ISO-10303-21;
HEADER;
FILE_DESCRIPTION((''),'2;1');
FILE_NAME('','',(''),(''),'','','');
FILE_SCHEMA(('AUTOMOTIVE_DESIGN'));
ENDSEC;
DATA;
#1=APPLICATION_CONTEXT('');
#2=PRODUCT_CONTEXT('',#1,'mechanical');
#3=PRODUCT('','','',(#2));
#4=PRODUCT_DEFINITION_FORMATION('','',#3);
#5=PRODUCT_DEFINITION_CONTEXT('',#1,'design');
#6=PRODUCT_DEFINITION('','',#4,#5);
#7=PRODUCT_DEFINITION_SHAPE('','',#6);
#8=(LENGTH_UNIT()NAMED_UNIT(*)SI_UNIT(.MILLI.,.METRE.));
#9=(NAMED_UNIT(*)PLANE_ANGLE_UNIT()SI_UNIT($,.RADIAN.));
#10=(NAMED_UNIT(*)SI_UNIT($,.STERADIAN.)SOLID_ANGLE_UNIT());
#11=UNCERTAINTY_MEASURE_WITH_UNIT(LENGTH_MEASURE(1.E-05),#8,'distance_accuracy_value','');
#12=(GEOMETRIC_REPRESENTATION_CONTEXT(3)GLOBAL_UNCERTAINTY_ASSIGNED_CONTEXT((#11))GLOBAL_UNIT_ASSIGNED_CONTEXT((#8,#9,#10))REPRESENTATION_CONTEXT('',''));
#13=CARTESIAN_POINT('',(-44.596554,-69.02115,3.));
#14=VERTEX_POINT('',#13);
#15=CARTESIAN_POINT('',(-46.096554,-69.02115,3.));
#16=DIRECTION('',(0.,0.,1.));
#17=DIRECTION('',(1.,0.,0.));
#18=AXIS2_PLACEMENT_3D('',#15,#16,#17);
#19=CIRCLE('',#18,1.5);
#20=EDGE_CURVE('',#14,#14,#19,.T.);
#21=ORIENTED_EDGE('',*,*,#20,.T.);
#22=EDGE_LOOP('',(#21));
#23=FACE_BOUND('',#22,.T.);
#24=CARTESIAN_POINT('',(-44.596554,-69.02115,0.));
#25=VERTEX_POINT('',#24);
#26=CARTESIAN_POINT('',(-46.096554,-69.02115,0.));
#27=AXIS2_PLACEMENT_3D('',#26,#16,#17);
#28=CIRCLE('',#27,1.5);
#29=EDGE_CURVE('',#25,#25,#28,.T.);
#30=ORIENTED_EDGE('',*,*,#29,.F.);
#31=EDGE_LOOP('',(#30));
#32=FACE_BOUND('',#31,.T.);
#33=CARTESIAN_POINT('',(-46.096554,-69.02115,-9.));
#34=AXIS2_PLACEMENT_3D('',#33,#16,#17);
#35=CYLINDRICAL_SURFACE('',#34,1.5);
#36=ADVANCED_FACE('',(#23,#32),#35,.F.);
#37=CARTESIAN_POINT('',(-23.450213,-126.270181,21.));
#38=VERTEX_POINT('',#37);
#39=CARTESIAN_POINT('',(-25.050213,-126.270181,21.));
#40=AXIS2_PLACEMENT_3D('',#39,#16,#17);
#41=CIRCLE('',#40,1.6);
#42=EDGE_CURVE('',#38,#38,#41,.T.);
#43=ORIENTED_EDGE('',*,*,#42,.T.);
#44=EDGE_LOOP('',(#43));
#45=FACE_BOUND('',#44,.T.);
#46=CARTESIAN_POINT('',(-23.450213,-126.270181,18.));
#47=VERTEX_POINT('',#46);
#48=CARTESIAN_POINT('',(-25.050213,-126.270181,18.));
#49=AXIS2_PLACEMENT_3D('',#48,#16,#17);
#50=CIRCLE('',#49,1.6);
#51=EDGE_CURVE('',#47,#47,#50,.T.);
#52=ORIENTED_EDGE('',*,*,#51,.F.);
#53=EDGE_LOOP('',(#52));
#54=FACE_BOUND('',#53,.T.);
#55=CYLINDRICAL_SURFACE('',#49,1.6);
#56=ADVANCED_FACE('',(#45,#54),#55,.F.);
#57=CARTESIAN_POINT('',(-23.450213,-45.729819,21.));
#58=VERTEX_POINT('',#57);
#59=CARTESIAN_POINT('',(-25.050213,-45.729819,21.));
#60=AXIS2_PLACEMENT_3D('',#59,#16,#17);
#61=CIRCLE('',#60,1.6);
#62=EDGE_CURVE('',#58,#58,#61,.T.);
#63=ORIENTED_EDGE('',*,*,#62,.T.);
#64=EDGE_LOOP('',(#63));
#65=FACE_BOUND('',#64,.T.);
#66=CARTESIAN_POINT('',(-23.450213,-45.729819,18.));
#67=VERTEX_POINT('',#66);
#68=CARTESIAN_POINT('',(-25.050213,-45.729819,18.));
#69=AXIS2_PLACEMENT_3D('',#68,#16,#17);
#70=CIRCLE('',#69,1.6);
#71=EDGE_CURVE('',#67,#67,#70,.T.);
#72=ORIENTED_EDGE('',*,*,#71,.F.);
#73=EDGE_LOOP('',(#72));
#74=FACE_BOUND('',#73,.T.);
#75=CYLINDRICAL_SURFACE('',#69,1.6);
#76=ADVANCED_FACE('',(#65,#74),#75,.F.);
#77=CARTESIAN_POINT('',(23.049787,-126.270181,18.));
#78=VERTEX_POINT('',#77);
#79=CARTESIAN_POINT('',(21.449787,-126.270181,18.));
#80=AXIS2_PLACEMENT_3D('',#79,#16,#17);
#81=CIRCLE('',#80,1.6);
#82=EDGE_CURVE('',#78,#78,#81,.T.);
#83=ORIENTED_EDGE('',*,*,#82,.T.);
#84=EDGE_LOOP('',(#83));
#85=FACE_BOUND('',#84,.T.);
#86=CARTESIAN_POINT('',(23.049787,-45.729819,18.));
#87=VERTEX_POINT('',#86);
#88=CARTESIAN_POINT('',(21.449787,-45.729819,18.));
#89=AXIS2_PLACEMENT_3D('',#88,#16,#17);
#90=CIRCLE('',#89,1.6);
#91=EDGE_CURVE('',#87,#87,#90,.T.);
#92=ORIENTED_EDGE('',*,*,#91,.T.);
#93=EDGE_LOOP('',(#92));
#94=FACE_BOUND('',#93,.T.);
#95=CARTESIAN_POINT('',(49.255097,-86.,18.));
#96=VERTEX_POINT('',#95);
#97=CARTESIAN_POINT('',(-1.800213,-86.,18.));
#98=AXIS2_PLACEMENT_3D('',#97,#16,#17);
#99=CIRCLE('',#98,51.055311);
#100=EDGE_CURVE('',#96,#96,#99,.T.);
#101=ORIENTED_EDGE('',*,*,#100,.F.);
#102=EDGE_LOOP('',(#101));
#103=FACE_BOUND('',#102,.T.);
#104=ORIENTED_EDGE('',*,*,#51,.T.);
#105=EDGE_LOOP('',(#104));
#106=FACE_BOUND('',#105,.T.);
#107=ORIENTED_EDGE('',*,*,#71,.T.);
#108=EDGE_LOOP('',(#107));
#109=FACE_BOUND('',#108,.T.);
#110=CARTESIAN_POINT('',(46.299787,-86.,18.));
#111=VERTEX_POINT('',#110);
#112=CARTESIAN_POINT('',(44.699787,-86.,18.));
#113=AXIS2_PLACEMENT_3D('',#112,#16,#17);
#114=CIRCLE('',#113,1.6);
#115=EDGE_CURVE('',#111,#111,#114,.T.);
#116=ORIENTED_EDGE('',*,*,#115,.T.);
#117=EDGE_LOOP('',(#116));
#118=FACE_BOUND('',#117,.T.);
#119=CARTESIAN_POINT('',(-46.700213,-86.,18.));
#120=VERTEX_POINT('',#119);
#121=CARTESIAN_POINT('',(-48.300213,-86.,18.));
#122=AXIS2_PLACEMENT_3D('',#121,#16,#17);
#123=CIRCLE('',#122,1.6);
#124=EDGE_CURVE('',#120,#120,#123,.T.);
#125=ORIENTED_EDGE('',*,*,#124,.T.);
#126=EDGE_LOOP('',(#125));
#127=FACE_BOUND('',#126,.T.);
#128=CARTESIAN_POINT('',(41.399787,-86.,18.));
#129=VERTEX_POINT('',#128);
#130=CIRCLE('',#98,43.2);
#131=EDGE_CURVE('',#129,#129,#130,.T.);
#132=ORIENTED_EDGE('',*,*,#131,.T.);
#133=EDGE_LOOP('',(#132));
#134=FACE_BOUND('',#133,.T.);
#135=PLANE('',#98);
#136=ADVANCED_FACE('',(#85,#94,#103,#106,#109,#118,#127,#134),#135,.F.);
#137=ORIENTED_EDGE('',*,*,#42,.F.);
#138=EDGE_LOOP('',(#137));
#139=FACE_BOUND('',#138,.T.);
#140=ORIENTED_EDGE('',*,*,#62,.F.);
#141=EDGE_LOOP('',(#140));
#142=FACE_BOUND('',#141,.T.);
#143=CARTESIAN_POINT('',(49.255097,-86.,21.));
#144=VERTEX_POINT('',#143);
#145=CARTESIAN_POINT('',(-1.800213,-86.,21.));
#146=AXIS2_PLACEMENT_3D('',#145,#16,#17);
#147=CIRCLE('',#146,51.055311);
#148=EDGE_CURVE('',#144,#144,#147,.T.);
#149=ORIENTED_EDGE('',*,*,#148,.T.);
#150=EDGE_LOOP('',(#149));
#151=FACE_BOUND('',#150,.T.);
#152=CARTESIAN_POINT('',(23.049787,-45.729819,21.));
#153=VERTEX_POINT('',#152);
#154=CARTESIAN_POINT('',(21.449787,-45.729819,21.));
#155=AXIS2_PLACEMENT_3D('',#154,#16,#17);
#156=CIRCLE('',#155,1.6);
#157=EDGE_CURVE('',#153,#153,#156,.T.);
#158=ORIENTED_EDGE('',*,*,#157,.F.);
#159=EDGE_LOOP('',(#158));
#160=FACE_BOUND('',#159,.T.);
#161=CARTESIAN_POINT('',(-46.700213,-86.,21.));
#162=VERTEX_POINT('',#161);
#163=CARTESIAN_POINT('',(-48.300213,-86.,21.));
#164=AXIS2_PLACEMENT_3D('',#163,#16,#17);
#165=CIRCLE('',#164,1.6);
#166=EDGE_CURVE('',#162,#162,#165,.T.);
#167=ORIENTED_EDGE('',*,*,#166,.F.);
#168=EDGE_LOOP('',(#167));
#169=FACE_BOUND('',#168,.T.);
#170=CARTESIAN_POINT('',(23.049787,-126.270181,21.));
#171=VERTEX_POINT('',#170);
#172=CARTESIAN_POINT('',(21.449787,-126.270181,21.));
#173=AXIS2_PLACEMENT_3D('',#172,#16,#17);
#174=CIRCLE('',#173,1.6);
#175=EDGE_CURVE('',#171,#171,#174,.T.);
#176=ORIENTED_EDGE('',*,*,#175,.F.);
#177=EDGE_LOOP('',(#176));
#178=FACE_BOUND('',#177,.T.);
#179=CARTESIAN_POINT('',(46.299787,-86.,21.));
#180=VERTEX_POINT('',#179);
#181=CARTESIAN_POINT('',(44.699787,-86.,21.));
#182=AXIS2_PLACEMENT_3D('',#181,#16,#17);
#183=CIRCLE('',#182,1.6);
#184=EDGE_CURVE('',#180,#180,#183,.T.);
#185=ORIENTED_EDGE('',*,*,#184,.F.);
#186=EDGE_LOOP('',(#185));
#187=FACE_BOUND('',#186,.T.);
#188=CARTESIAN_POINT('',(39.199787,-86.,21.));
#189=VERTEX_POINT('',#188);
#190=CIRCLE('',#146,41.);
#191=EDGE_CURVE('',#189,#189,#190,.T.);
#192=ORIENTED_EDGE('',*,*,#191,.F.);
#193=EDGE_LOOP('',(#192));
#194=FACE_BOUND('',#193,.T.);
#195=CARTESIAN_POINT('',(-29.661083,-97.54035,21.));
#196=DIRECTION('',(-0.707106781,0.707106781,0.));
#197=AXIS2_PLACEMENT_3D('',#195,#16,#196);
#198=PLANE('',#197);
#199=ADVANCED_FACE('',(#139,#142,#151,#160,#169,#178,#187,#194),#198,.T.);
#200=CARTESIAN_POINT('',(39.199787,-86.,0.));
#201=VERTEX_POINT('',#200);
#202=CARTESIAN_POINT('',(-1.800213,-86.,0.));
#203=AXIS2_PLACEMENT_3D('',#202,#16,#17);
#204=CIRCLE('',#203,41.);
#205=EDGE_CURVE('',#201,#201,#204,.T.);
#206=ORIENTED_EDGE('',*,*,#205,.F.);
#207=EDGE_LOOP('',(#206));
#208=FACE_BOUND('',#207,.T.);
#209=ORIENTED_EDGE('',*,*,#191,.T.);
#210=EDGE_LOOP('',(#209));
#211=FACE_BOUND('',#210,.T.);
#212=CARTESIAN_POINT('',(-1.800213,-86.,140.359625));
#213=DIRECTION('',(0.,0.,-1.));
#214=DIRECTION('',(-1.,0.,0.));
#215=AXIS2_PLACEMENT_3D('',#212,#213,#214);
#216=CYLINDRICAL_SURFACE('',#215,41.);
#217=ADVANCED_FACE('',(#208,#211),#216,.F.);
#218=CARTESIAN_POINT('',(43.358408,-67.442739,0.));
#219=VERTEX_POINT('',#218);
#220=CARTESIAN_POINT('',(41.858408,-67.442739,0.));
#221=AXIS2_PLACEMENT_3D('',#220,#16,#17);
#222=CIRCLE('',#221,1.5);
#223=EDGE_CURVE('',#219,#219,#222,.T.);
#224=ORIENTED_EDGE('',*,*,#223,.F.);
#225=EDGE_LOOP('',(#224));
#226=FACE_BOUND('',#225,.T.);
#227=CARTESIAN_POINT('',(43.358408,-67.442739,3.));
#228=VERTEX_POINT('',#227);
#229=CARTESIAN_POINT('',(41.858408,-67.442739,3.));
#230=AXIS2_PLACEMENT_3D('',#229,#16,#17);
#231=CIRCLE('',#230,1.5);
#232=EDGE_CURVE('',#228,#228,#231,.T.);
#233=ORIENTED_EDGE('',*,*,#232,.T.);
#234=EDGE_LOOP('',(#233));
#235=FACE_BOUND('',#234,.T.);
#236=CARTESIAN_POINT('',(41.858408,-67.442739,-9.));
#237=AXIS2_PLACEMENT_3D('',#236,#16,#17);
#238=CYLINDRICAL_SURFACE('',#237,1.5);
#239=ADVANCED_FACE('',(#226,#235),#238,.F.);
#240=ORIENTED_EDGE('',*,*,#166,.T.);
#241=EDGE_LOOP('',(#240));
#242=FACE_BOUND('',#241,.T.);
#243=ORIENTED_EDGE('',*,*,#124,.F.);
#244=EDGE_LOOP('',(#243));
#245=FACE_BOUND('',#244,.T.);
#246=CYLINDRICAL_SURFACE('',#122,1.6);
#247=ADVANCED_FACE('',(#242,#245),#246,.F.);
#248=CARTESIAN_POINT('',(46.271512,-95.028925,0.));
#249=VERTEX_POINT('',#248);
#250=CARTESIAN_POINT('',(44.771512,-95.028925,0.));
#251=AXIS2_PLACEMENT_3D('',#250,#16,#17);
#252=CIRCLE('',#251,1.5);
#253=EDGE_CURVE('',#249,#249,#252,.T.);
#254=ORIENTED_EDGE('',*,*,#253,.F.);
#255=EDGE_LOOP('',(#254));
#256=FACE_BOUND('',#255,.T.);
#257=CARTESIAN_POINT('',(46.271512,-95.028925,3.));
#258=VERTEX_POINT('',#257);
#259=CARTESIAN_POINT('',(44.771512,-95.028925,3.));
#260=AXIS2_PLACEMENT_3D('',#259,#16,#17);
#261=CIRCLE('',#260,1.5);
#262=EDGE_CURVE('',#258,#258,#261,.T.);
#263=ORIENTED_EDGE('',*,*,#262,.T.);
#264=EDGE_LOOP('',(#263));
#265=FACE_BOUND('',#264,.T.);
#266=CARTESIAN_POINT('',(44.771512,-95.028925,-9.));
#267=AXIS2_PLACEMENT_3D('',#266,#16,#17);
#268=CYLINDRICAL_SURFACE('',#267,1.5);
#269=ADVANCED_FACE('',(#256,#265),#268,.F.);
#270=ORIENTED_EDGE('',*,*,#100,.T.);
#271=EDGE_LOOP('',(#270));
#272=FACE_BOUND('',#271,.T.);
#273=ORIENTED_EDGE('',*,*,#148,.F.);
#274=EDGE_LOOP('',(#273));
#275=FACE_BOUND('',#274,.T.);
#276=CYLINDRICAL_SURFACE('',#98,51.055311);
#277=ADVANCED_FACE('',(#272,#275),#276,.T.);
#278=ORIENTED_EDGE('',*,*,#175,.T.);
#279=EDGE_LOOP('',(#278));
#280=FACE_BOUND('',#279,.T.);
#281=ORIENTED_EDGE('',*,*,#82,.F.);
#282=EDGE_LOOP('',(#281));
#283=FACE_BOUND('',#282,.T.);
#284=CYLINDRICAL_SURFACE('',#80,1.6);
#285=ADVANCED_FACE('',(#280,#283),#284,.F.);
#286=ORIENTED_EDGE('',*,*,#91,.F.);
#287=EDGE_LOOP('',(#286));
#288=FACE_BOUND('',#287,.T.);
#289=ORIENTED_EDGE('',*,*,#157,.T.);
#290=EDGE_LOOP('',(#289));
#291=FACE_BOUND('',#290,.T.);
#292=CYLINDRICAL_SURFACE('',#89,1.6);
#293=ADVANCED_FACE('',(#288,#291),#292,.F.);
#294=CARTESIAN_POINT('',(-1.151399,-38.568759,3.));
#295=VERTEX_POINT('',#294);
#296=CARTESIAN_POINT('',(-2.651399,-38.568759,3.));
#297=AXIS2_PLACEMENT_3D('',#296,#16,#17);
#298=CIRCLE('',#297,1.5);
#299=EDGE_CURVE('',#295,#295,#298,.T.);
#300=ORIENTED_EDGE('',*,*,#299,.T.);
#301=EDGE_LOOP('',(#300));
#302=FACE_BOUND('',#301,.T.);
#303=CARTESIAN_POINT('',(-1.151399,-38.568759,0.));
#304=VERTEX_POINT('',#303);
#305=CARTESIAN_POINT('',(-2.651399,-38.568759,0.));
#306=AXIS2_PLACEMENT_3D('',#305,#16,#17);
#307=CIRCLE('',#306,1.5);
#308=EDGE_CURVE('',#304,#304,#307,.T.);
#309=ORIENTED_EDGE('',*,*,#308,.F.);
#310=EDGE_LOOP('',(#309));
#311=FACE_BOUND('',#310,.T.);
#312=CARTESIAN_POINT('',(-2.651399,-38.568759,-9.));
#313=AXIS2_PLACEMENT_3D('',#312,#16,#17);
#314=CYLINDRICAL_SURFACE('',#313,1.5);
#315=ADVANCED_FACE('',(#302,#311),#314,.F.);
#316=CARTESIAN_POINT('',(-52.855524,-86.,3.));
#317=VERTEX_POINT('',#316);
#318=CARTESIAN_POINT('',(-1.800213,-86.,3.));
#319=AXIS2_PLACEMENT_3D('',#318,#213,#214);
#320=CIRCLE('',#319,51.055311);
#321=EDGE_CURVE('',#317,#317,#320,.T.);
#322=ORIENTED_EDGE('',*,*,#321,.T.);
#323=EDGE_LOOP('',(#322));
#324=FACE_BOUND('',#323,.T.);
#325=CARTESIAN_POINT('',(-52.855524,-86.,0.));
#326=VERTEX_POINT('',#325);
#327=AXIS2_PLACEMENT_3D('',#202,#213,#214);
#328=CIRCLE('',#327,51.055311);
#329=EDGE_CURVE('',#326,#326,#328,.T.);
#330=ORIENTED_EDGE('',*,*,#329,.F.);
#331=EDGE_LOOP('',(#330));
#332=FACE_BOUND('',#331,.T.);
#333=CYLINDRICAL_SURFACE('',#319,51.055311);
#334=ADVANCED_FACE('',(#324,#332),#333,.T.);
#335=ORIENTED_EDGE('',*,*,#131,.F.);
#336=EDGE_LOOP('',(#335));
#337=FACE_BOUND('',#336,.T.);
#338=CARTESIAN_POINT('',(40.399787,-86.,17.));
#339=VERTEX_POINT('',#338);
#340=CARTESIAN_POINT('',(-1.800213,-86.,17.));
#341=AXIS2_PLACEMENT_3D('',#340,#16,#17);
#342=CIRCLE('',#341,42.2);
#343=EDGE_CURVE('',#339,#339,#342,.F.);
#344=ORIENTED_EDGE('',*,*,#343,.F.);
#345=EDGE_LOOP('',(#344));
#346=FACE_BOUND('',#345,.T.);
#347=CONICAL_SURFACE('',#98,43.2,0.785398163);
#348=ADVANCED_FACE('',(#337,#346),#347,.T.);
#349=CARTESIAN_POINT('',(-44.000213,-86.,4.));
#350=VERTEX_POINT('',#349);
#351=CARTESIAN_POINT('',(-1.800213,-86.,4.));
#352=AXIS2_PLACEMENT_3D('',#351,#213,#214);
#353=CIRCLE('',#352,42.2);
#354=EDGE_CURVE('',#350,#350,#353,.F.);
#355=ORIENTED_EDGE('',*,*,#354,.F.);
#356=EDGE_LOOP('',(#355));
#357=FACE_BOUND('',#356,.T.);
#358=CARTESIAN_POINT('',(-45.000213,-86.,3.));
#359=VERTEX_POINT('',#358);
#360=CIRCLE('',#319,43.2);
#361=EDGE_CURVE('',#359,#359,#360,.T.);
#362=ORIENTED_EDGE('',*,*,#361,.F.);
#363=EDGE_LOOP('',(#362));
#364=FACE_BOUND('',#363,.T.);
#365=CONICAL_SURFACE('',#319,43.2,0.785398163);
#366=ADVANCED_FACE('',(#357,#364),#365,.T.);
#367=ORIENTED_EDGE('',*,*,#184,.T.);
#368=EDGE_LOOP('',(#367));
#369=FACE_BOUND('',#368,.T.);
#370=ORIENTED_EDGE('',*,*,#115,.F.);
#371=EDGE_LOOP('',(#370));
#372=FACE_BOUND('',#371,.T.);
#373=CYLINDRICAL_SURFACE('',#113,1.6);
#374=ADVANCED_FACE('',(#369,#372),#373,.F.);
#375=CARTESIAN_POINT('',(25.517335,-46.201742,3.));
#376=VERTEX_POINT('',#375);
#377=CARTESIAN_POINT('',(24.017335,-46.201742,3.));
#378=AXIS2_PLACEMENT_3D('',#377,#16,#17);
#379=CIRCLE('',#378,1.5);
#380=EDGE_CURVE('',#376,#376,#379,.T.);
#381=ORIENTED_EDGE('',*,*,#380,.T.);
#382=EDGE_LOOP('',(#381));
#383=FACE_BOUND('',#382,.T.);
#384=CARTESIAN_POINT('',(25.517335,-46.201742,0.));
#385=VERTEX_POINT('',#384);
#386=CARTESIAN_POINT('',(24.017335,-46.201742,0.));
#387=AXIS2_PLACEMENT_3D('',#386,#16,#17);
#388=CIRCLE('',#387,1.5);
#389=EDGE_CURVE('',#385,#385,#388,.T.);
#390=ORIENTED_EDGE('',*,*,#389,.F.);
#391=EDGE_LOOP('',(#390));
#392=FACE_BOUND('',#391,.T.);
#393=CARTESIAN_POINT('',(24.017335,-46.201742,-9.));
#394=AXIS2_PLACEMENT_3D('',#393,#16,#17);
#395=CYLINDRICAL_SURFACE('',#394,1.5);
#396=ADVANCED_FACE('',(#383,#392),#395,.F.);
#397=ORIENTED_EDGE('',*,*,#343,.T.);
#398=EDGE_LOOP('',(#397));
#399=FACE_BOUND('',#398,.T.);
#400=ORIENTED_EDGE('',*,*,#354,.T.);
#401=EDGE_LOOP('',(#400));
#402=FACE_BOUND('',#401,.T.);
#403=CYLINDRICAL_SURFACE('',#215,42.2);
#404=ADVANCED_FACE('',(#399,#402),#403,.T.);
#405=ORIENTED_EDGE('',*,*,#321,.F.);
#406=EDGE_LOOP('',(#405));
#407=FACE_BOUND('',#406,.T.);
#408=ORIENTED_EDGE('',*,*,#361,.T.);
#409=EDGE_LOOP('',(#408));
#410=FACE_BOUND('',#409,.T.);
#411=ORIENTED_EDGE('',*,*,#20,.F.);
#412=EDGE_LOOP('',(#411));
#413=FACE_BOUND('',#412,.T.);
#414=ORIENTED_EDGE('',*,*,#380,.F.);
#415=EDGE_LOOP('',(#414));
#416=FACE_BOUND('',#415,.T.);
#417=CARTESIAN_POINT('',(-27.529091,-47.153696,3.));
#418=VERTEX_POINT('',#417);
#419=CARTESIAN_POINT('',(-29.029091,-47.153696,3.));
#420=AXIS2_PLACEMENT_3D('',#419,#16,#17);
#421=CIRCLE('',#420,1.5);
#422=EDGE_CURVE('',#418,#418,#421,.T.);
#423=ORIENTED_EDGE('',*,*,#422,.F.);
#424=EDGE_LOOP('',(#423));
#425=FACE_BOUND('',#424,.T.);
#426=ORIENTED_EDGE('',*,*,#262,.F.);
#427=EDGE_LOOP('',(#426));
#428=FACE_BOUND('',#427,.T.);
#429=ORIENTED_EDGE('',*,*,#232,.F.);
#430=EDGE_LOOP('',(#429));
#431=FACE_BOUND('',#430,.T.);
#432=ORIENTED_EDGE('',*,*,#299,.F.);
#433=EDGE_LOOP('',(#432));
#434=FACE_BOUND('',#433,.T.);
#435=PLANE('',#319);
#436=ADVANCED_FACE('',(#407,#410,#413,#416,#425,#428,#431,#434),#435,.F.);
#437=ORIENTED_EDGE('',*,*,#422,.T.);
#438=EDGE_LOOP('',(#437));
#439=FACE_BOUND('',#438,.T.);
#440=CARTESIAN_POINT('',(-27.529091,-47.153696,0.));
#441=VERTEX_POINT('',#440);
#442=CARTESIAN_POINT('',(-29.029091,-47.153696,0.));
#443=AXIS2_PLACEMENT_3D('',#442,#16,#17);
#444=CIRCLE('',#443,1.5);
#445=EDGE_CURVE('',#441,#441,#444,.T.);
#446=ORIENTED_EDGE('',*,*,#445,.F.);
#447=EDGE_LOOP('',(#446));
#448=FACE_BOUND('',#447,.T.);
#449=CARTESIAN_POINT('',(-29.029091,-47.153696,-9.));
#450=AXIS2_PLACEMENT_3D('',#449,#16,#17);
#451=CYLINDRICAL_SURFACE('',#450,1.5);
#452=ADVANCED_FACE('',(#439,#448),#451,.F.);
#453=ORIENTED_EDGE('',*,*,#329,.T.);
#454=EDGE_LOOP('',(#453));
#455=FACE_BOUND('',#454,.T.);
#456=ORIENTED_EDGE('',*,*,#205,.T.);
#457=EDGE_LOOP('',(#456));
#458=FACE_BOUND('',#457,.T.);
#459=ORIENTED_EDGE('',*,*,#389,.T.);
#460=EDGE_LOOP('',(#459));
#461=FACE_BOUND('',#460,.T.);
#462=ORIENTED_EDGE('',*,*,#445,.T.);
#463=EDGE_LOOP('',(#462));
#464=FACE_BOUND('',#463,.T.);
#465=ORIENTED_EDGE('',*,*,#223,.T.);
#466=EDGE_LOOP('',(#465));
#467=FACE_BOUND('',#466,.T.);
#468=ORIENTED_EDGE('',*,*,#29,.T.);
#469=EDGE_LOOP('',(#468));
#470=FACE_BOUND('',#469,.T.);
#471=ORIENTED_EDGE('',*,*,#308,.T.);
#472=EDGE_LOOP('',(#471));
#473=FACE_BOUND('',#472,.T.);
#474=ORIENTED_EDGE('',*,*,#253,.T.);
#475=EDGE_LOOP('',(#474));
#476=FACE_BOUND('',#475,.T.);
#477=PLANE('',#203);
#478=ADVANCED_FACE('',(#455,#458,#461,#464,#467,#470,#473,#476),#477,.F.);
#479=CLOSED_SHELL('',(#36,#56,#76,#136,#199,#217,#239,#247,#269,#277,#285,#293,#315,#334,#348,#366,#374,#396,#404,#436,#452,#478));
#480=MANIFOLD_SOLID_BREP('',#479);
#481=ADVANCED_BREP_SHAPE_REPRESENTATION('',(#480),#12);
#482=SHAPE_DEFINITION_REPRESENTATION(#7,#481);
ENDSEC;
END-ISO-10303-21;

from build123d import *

# Parameters (mm, degrees)
SKETCH_1_R          = 42.2
SKETCH_1_R_2        = 41
EXTRUDE_1_DEPTH     = 21
SKETCH_2_R          = 51.055310859
SKETCH_2_R_2        = 42.2
EXTRUDE_2_DEPTH     = 3
SKETCH_3_R          = 1.5
CUT_EXTRUDE_1_DEPTH = 12
EXTRUDE1_START      = -3
SKETCH1_R           = 51.055310859
SKETCH1_R_2         = 42.2
SKETCH1_R_3         = 1.6
EXTRUDE1_DEPTH      = 3
CHAMFER1_SIZE       = 1


with BuildPart() as part:
    # 草图1 → 凸台-拉伸1 (new body)
    with BuildSketch(Plane.XY):
        with Locations((-1.800213466, -86)):
            Circle(SKETCH_1_R)
        with Locations((-1.800213466, -86)):
            Circle(SKETCH_1_R_2, mode=Mode.SUBTRACT)
    extrude(amount=EXTRUDE_1_DEPTH)

    # 草图2 → 凸台-拉伸2 (add)
    with BuildSketch(Plane(origin=(0, 0, 0), x_dir=(-1, 0, 0), z_dir=(0, 0, -1))):
        with Locations((1.800213466, -86)):
            Circle(SKETCH_2_R)
        with Locations((1.800213466, -86)):
            Circle(SKETCH_2_R_2, mode=Mode.SUBTRACT)
    extrude(amount=-EXTRUDE_2_DEPTH)

    # 草图3 → 切除-拉伸1 (cut)
    with BuildSketch(Plane.XY.offset(3)):
        with Locations((44.771512493, -95.028924631)):
            Circle(SKETCH_3_R)
        with Locations((-2.651398789, -38.568759005)):
            Circle(SKETCH_3_R)
        with Locations((41.858407753, -67.4427391)):
            Circle(SKETCH_3_R)
        with Locations((24.017335287, -46.20174231)):
            Circle(SKETCH_3_R)
        with Locations((-46.096553953, -69.021149678)):
            Circle(SKETCH_3_R)
        with Locations((-29.029091447, -47.153695895)):
            Circle(SKETCH_3_R)
    extrude(amount=-CUT_EXTRUDE_1_DEPTH, mode=Mode.SUBTRACT)

    # Sketch1 → Extrude1 (add)
    with BuildSketch(Plane.XY.offset(21).offset(EXTRUDE1_START)):
        with Locations(Location((-1.800213466, -86, 0), (0, 0, 180))):
            Circle(SKETCH1_R)
        with Locations(Location((-1.800213466, -86, 0), (0, 0, 180))):
            Circle(SKETCH1_R_2, mode=Mode.SUBTRACT)
        with Locations((-25.050213466, -45.729818724)):
            Circle(SKETCH1_R_3, mode=Mode.SUBTRACT)
        with Locations((21.449786534, -45.729818724)):
            Circle(SKETCH1_R_3, mode=Mode.SUBTRACT)
        with Locations((44.699786534, -86)):
            Circle(SKETCH1_R_3, mode=Mode.SUBTRACT)
        with Locations((21.449786534, -126.270181276)):
            Circle(SKETCH1_R_3, mode=Mode.SUBTRACT)
        with Locations((-25.050213466, -126.270181276)):
            Circle(SKETCH1_R_3, mode=Mode.SUBTRACT)
        with Locations((-48.300213466, -86)):
            Circle(SKETCH1_R_3, mode=Mode.SUBTRACT)
    extrude(amount=EXTRUDE1_DEPTH)

    # Chamfer1
    chamfer1_edges = [part.edges().sort_by_distance(p)[0] for p in [
        (-44.000213466, -86, 3),
        (-44.000213466, -86, 18),
    ]]
    chamfer(chamfer1_edges, length=CHAMFER1_SIZE)


solid = part.part
